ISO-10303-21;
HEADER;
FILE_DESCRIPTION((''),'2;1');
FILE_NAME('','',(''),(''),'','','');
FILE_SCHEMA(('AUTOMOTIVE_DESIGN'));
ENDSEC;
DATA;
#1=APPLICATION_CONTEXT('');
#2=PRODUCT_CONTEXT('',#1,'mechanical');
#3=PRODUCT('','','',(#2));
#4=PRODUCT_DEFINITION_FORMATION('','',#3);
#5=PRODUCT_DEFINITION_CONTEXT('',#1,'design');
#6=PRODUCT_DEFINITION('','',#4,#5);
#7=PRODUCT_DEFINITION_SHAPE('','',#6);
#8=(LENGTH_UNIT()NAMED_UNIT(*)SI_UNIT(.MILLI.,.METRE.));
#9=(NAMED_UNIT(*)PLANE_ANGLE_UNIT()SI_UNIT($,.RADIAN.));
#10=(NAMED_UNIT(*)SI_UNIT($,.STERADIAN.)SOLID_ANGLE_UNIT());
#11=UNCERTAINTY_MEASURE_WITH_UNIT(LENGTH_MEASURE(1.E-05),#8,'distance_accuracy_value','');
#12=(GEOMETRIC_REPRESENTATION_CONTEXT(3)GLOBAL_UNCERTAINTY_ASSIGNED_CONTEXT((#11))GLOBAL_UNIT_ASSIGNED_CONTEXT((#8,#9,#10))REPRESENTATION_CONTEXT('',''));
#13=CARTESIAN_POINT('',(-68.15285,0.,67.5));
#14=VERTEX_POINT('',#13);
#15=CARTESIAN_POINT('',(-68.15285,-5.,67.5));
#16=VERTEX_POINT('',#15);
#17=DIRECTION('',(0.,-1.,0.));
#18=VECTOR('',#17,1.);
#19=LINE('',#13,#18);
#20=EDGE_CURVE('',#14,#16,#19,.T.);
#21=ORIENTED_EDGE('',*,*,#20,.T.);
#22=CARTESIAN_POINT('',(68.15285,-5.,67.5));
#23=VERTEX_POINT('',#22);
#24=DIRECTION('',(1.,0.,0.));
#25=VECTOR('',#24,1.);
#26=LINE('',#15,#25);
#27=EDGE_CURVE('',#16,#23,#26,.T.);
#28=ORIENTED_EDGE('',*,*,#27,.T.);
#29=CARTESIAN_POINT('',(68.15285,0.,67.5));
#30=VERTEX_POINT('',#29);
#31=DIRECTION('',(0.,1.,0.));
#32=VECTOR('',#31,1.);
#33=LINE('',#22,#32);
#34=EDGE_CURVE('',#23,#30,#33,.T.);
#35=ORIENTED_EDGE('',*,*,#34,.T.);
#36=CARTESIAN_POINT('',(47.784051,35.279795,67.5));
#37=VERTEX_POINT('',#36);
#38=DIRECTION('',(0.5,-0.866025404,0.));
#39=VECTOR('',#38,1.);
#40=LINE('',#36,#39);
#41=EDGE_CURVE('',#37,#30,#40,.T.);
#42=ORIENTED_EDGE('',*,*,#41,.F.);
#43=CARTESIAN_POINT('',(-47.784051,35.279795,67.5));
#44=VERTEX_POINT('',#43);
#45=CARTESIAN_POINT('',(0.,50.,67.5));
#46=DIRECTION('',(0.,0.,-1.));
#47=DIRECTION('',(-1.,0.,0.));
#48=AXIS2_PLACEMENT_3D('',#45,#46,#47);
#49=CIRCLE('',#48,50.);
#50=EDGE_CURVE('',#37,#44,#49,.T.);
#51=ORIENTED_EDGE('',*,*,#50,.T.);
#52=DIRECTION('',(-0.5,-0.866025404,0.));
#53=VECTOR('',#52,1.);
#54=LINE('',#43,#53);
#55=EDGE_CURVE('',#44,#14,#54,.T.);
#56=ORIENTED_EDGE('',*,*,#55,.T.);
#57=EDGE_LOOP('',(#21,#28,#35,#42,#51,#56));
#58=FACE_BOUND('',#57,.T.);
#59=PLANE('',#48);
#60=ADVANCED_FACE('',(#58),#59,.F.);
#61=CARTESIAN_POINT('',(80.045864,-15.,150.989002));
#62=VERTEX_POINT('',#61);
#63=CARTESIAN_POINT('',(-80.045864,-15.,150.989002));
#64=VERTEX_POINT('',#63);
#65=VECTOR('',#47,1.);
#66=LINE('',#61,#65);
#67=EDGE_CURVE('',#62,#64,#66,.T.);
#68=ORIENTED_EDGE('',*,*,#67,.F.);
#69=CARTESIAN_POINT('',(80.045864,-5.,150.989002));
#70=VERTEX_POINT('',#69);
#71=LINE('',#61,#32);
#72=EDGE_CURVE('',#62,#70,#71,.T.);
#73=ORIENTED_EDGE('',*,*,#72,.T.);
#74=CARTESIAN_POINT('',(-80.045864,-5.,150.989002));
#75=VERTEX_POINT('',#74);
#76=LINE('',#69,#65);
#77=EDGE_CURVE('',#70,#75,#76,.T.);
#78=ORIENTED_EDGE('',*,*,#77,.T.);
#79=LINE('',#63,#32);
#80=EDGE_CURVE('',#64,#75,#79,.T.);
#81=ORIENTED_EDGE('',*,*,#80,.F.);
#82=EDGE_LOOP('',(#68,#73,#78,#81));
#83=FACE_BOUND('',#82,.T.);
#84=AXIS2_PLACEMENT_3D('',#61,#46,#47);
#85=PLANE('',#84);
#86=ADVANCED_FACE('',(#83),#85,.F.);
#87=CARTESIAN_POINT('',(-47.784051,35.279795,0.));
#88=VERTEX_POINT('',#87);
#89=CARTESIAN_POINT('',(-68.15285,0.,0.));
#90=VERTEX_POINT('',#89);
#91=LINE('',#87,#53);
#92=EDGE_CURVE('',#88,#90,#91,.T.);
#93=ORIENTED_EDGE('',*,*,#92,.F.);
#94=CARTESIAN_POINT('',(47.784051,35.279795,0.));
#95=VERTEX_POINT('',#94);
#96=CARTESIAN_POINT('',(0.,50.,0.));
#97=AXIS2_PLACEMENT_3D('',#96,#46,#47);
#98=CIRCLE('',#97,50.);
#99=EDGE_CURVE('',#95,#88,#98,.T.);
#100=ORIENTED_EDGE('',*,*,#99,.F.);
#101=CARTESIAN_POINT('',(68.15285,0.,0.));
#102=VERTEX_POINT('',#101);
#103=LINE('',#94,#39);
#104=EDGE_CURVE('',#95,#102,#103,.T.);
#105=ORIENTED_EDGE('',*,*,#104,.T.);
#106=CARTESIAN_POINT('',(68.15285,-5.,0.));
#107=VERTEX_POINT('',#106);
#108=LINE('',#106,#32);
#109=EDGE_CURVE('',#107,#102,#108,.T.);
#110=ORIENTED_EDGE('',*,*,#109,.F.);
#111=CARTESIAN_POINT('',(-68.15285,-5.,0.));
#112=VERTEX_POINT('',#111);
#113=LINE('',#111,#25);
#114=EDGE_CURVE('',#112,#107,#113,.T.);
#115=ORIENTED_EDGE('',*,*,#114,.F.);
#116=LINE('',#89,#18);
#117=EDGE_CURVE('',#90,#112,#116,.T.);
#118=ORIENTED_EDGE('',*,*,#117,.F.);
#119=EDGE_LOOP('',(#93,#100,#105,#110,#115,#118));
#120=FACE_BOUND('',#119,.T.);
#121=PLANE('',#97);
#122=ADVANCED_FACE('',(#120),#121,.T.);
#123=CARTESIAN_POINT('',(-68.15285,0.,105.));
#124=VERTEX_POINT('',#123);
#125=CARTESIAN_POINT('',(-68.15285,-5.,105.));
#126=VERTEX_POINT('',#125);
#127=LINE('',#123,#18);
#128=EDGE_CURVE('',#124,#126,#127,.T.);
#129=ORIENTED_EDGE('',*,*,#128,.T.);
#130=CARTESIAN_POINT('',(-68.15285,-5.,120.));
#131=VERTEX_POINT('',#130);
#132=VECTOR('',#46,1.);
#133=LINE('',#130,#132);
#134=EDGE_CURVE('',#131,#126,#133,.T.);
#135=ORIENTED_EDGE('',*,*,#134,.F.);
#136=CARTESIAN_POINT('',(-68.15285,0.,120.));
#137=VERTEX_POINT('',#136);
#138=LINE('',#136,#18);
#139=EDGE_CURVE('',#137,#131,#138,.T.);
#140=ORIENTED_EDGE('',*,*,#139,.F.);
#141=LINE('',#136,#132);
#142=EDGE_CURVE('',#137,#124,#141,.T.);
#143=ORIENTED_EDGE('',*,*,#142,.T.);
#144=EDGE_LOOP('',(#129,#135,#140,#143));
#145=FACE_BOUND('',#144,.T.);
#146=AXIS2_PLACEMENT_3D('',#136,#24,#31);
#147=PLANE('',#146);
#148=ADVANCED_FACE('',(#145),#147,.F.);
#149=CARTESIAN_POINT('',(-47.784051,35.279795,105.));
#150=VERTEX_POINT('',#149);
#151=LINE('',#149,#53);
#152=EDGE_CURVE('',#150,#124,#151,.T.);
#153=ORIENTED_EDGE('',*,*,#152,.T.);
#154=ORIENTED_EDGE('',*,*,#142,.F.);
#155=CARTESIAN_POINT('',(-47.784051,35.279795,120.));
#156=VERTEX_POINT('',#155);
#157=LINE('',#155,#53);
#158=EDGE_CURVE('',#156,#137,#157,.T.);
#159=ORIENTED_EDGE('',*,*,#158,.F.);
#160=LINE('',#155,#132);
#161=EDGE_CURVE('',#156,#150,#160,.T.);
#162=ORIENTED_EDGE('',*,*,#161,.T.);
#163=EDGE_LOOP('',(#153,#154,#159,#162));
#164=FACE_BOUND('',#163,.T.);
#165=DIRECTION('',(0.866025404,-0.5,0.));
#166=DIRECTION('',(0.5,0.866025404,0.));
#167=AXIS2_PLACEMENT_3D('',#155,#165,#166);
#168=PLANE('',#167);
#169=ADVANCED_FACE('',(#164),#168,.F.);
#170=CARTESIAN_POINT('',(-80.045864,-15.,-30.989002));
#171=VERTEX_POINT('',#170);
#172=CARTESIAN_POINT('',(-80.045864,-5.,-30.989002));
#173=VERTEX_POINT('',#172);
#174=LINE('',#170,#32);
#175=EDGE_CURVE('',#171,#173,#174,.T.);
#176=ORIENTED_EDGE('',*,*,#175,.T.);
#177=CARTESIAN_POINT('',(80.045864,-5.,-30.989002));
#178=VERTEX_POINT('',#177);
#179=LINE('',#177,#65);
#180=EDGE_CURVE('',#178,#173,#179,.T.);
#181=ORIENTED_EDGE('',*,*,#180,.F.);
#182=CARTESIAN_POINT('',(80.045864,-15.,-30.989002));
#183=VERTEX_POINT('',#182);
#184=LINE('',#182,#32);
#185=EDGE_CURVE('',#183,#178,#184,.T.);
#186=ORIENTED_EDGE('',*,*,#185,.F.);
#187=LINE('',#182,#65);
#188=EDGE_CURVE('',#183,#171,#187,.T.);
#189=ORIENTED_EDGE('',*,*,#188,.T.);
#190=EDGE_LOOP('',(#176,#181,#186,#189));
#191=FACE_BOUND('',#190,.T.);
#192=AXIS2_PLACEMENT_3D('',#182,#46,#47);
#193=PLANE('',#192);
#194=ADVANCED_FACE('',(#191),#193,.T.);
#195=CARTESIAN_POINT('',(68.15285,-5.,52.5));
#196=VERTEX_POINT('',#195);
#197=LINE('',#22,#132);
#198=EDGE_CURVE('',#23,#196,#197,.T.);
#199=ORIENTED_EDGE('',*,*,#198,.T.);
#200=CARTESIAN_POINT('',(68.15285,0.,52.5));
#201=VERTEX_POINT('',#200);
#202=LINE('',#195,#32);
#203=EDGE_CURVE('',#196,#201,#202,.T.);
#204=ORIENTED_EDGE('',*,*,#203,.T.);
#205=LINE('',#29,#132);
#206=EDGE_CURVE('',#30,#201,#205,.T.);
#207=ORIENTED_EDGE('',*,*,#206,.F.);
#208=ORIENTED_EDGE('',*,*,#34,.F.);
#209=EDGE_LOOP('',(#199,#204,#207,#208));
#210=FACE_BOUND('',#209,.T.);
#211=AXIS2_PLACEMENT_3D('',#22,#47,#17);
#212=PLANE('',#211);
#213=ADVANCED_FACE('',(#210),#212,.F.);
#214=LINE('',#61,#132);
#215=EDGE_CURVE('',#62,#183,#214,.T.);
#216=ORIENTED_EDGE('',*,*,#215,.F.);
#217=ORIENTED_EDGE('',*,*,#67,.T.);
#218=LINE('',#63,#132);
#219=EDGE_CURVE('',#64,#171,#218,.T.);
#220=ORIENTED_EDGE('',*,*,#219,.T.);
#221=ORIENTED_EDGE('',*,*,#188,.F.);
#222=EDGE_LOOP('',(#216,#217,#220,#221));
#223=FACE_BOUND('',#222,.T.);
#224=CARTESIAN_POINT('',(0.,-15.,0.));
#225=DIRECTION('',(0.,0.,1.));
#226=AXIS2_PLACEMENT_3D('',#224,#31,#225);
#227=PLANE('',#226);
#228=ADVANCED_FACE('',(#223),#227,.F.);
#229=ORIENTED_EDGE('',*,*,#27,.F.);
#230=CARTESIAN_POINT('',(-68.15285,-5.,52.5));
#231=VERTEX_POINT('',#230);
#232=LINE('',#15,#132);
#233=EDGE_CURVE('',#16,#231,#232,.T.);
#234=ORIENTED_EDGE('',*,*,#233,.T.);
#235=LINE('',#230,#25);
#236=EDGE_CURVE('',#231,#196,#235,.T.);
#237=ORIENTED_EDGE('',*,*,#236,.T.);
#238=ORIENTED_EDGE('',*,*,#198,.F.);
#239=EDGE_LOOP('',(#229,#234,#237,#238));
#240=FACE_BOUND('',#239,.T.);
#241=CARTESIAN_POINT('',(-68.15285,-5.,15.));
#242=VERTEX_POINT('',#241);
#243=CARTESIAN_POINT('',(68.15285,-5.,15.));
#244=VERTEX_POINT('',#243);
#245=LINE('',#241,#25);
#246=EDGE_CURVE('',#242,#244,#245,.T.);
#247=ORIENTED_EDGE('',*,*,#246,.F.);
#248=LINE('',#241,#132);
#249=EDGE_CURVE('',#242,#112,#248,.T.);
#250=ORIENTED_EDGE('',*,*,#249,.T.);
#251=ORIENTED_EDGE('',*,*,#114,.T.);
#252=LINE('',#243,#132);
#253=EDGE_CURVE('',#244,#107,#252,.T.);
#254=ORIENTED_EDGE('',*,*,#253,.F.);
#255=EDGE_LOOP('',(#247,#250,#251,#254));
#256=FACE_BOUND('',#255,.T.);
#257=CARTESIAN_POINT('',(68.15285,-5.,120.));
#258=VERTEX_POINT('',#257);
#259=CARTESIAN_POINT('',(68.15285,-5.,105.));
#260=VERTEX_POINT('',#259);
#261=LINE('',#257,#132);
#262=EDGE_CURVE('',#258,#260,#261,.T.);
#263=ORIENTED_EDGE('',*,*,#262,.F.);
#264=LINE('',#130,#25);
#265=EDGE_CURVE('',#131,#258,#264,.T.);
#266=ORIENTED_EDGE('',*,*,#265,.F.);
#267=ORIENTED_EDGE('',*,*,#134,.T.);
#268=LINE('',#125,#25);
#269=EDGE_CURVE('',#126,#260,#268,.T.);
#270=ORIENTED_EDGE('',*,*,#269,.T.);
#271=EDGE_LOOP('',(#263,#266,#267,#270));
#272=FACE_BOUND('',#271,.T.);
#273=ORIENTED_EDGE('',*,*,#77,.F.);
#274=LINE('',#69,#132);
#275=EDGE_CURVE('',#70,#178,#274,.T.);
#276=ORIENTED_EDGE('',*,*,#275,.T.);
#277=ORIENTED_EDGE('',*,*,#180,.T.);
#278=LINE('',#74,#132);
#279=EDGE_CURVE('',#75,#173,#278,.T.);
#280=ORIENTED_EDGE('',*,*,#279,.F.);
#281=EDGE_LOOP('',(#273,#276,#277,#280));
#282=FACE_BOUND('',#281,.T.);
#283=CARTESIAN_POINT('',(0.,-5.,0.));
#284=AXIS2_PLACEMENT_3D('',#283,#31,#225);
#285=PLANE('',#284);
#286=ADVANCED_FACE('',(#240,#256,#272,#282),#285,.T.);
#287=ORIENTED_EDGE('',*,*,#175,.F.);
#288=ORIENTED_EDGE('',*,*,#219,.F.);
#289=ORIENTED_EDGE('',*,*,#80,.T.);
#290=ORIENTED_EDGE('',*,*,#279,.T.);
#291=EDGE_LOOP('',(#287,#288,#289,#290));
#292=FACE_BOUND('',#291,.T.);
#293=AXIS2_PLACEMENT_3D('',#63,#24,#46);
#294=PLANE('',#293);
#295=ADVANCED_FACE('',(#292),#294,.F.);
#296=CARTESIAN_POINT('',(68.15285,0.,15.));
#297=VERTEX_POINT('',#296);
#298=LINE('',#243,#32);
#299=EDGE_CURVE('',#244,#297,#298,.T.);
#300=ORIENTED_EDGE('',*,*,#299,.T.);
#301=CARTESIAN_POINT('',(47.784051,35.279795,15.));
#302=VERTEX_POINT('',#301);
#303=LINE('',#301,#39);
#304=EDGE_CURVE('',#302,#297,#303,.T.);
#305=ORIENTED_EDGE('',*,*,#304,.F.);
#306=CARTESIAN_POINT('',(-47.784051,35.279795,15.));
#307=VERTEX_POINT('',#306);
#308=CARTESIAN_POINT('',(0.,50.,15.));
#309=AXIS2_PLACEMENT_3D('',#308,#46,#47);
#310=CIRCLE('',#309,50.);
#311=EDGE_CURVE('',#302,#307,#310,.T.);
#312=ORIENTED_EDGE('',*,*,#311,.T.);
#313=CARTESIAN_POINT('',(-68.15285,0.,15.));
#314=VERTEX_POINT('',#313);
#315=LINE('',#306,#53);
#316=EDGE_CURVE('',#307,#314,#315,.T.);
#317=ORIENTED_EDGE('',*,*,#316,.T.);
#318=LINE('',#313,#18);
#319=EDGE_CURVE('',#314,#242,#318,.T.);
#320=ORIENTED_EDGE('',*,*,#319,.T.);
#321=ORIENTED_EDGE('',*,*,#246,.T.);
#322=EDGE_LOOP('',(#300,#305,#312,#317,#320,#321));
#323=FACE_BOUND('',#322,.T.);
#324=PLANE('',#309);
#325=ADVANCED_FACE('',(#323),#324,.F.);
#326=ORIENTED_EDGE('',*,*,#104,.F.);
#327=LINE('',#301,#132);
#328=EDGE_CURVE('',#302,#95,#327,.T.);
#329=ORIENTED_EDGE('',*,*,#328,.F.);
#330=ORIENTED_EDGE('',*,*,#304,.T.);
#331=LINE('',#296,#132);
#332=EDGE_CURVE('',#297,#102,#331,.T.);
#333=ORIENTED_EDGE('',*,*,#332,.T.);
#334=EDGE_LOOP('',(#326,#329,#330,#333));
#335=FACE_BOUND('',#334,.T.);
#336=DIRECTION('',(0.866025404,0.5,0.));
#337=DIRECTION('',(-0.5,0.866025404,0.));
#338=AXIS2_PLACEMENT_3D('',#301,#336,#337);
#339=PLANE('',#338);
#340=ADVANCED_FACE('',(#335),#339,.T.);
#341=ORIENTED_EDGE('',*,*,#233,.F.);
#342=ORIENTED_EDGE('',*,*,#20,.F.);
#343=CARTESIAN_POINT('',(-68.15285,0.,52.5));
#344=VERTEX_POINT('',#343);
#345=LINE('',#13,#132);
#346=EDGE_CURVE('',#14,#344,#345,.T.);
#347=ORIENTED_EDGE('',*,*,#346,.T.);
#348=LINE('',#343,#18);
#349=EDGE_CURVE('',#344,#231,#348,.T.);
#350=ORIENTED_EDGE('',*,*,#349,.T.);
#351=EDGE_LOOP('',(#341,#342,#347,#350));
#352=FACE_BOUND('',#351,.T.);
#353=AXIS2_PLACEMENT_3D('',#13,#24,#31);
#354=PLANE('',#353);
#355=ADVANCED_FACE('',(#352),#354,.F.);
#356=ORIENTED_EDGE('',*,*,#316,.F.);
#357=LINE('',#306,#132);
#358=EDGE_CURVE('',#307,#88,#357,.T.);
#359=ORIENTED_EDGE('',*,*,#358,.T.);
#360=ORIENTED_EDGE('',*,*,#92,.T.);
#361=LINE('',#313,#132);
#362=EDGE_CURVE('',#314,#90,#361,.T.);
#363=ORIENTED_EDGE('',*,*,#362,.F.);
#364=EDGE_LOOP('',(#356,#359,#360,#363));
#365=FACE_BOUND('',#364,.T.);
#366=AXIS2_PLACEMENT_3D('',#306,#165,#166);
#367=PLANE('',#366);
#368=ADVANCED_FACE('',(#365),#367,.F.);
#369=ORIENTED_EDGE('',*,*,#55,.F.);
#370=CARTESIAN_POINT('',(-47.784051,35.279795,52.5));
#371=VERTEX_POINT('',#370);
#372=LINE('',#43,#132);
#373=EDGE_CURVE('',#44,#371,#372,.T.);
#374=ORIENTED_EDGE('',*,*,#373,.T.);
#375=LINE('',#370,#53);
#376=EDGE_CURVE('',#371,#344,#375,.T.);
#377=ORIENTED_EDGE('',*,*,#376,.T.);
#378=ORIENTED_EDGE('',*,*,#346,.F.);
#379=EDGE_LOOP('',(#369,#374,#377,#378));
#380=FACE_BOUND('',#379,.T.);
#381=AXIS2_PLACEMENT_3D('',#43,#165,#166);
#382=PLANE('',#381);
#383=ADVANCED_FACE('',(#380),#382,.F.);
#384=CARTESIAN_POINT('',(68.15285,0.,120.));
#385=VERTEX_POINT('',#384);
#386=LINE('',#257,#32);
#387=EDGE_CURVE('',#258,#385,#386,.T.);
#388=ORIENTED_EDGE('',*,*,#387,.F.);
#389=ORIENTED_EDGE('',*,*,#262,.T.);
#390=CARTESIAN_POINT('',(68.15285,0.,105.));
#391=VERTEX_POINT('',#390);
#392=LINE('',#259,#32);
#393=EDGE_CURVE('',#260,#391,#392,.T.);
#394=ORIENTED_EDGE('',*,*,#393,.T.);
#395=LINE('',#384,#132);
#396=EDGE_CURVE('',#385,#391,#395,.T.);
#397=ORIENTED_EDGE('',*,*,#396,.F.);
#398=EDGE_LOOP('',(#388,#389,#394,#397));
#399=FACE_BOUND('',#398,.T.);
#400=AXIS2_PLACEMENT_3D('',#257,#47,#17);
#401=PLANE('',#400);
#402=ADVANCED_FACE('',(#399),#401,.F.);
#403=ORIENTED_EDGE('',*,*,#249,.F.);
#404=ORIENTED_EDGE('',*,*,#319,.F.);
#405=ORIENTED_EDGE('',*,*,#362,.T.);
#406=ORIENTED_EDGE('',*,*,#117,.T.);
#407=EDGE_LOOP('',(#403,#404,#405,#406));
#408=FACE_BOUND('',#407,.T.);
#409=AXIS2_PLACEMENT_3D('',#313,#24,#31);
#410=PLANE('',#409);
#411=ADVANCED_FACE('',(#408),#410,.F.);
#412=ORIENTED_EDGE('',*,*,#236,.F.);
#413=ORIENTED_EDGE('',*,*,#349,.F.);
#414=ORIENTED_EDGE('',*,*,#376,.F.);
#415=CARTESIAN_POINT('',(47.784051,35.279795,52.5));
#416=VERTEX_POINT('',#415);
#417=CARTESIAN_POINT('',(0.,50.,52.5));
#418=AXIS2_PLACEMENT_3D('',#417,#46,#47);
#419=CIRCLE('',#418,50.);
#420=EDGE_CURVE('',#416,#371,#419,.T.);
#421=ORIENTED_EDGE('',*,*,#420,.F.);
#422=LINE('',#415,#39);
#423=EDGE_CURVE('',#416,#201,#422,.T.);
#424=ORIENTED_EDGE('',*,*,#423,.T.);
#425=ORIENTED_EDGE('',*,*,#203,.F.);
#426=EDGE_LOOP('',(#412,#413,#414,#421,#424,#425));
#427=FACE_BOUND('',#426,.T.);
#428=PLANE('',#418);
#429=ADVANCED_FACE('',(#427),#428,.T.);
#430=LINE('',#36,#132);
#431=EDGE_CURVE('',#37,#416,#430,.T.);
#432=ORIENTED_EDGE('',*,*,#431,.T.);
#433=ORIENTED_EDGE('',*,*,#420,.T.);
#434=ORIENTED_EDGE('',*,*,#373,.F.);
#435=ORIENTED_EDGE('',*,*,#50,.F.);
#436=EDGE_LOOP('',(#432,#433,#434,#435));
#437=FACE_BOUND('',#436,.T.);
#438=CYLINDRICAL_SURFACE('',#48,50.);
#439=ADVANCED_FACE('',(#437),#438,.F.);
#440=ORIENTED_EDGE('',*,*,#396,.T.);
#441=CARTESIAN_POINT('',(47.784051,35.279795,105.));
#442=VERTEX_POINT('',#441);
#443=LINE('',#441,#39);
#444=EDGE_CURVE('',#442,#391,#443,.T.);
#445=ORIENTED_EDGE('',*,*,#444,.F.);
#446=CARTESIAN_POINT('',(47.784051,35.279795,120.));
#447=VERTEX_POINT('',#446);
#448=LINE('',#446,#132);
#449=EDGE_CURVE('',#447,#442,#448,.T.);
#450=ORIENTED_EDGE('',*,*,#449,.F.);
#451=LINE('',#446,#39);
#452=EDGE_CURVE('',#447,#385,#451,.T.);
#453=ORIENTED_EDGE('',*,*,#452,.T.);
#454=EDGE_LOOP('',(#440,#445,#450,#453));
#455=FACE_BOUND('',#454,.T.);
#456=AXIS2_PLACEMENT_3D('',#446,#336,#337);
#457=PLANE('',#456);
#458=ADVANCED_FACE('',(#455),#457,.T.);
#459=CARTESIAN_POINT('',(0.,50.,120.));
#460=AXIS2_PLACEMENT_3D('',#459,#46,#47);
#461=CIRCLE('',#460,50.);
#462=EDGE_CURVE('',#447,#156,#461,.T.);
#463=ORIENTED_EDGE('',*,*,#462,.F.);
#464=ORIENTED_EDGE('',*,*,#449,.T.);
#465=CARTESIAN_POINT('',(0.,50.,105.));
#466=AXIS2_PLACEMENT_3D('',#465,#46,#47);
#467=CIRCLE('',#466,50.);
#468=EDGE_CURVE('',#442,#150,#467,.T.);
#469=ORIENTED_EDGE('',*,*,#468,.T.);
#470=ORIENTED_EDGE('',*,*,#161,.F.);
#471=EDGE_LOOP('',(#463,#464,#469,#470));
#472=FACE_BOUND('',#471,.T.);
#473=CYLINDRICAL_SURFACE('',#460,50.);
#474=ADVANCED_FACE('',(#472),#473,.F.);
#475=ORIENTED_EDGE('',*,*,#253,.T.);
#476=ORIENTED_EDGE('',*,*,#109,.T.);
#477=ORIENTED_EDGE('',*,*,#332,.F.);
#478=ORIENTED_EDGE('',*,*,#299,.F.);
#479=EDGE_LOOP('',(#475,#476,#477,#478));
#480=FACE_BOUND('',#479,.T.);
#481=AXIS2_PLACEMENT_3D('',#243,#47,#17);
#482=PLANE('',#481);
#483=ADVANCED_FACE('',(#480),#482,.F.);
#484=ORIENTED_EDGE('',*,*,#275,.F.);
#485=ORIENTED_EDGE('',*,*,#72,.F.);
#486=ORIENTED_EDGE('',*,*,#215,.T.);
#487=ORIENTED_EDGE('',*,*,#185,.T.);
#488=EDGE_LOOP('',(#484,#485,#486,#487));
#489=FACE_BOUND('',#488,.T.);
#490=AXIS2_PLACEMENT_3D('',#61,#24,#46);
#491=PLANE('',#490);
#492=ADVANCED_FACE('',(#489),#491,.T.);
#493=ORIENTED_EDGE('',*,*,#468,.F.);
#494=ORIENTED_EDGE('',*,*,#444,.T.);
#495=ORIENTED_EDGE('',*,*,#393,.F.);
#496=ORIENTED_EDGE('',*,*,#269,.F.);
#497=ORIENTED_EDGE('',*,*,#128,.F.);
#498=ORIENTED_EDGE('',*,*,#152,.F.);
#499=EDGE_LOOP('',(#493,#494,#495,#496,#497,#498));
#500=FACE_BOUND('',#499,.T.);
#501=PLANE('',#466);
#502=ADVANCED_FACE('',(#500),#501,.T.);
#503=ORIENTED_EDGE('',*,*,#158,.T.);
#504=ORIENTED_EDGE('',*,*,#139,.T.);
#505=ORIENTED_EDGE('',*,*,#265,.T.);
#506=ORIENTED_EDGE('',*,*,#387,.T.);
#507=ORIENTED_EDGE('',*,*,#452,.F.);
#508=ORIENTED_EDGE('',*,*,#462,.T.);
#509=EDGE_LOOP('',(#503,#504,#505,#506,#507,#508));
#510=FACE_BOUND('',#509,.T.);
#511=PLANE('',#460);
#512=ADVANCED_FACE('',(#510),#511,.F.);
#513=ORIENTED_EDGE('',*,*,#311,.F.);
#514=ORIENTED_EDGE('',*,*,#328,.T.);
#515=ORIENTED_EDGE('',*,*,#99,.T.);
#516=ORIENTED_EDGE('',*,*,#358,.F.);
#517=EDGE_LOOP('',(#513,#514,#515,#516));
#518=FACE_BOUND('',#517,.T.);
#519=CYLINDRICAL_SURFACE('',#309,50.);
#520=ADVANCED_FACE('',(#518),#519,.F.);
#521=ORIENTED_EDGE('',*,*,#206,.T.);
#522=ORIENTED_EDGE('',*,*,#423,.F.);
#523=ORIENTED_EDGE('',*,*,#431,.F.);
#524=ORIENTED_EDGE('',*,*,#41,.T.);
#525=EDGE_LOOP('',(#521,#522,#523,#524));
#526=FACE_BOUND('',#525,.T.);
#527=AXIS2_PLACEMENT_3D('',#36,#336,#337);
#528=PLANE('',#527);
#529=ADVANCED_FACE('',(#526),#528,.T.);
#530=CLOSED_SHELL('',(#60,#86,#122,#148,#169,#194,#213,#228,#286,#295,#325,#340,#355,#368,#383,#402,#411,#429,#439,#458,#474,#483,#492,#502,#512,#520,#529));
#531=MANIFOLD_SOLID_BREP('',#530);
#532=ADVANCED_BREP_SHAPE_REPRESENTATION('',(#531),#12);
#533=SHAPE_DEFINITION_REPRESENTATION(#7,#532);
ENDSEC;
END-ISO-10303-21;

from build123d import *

# Parameters (mm, degrees)
EXTRUDE_1_DEPTH        = 15
PATTERN_LINEAR_1_COUNT = 3
PATTERN_LINEAR_1_PITCH = 52.5
SKETCH_2_W             = 160.09172752
SKETCH_2_H             = 181.978003312
EXTRUDE_2_DEPTH        = 10


with BuildPart() as part:
    # 草图1 → 凸台-拉伸1 (new body)
    with BuildSketch(Plane.XY):
        with BuildLine():
            Line((-47.784051252, 35.279794638), (-68.152850184, 0))
            Line((-68.152850184, 0), (-68.152850184, -5))
            Line((-68.152850184, -5), (68.152850184, -5))
            Line((68.152850184, -5), (68.152850184, 0))
            Line((68.152850184, 0), (47.784051252, 35.279794638))
            ThreePointArc((47.784051252, 35.279794638), (0, 0), (-47.784051252, 35.279794638))
        make_face()
    extrude(amount=EXTRUDE_1_DEPTH)


with BuildPart() as pattern_linear_1_1:
    # 阵列(线性)1: pattern copy
    add(part.part.moved(Location(Vector(0, 0, 1) * (1 * PATTERN_LINEAR_1_PITCH))))


with BuildPart() as pattern_linear_1_2:
    # 阵列(线性)1: pattern copy
    add(part.part.moved(Location(Vector(0, 0, 1) * (2 * PATTERN_LINEAR_1_PITCH))))


with BuildPart() as part_1:
    add(part.part)

    add(pattern_linear_1_1.part)  # 凸台-拉伸2 merges 阵列(线性)1_1

    add(pattern_linear_1_2.part)  # 凸台-拉伸2 merges 阵列(线性)1_2
    # 草图2 → 凸台-拉伸2 (add)
    with BuildSketch(Plane(origin=(0, -5, 0), x_dir=(-1, 0, 0), z_dir=(0, -1, 0))):
        with Locations((0, -60)):
            Rectangle(SKETCH_2_W, SKETCH_2_H)
    extrude(amount=EXTRUDE_2_DEPTH)


solid = part_1.part
